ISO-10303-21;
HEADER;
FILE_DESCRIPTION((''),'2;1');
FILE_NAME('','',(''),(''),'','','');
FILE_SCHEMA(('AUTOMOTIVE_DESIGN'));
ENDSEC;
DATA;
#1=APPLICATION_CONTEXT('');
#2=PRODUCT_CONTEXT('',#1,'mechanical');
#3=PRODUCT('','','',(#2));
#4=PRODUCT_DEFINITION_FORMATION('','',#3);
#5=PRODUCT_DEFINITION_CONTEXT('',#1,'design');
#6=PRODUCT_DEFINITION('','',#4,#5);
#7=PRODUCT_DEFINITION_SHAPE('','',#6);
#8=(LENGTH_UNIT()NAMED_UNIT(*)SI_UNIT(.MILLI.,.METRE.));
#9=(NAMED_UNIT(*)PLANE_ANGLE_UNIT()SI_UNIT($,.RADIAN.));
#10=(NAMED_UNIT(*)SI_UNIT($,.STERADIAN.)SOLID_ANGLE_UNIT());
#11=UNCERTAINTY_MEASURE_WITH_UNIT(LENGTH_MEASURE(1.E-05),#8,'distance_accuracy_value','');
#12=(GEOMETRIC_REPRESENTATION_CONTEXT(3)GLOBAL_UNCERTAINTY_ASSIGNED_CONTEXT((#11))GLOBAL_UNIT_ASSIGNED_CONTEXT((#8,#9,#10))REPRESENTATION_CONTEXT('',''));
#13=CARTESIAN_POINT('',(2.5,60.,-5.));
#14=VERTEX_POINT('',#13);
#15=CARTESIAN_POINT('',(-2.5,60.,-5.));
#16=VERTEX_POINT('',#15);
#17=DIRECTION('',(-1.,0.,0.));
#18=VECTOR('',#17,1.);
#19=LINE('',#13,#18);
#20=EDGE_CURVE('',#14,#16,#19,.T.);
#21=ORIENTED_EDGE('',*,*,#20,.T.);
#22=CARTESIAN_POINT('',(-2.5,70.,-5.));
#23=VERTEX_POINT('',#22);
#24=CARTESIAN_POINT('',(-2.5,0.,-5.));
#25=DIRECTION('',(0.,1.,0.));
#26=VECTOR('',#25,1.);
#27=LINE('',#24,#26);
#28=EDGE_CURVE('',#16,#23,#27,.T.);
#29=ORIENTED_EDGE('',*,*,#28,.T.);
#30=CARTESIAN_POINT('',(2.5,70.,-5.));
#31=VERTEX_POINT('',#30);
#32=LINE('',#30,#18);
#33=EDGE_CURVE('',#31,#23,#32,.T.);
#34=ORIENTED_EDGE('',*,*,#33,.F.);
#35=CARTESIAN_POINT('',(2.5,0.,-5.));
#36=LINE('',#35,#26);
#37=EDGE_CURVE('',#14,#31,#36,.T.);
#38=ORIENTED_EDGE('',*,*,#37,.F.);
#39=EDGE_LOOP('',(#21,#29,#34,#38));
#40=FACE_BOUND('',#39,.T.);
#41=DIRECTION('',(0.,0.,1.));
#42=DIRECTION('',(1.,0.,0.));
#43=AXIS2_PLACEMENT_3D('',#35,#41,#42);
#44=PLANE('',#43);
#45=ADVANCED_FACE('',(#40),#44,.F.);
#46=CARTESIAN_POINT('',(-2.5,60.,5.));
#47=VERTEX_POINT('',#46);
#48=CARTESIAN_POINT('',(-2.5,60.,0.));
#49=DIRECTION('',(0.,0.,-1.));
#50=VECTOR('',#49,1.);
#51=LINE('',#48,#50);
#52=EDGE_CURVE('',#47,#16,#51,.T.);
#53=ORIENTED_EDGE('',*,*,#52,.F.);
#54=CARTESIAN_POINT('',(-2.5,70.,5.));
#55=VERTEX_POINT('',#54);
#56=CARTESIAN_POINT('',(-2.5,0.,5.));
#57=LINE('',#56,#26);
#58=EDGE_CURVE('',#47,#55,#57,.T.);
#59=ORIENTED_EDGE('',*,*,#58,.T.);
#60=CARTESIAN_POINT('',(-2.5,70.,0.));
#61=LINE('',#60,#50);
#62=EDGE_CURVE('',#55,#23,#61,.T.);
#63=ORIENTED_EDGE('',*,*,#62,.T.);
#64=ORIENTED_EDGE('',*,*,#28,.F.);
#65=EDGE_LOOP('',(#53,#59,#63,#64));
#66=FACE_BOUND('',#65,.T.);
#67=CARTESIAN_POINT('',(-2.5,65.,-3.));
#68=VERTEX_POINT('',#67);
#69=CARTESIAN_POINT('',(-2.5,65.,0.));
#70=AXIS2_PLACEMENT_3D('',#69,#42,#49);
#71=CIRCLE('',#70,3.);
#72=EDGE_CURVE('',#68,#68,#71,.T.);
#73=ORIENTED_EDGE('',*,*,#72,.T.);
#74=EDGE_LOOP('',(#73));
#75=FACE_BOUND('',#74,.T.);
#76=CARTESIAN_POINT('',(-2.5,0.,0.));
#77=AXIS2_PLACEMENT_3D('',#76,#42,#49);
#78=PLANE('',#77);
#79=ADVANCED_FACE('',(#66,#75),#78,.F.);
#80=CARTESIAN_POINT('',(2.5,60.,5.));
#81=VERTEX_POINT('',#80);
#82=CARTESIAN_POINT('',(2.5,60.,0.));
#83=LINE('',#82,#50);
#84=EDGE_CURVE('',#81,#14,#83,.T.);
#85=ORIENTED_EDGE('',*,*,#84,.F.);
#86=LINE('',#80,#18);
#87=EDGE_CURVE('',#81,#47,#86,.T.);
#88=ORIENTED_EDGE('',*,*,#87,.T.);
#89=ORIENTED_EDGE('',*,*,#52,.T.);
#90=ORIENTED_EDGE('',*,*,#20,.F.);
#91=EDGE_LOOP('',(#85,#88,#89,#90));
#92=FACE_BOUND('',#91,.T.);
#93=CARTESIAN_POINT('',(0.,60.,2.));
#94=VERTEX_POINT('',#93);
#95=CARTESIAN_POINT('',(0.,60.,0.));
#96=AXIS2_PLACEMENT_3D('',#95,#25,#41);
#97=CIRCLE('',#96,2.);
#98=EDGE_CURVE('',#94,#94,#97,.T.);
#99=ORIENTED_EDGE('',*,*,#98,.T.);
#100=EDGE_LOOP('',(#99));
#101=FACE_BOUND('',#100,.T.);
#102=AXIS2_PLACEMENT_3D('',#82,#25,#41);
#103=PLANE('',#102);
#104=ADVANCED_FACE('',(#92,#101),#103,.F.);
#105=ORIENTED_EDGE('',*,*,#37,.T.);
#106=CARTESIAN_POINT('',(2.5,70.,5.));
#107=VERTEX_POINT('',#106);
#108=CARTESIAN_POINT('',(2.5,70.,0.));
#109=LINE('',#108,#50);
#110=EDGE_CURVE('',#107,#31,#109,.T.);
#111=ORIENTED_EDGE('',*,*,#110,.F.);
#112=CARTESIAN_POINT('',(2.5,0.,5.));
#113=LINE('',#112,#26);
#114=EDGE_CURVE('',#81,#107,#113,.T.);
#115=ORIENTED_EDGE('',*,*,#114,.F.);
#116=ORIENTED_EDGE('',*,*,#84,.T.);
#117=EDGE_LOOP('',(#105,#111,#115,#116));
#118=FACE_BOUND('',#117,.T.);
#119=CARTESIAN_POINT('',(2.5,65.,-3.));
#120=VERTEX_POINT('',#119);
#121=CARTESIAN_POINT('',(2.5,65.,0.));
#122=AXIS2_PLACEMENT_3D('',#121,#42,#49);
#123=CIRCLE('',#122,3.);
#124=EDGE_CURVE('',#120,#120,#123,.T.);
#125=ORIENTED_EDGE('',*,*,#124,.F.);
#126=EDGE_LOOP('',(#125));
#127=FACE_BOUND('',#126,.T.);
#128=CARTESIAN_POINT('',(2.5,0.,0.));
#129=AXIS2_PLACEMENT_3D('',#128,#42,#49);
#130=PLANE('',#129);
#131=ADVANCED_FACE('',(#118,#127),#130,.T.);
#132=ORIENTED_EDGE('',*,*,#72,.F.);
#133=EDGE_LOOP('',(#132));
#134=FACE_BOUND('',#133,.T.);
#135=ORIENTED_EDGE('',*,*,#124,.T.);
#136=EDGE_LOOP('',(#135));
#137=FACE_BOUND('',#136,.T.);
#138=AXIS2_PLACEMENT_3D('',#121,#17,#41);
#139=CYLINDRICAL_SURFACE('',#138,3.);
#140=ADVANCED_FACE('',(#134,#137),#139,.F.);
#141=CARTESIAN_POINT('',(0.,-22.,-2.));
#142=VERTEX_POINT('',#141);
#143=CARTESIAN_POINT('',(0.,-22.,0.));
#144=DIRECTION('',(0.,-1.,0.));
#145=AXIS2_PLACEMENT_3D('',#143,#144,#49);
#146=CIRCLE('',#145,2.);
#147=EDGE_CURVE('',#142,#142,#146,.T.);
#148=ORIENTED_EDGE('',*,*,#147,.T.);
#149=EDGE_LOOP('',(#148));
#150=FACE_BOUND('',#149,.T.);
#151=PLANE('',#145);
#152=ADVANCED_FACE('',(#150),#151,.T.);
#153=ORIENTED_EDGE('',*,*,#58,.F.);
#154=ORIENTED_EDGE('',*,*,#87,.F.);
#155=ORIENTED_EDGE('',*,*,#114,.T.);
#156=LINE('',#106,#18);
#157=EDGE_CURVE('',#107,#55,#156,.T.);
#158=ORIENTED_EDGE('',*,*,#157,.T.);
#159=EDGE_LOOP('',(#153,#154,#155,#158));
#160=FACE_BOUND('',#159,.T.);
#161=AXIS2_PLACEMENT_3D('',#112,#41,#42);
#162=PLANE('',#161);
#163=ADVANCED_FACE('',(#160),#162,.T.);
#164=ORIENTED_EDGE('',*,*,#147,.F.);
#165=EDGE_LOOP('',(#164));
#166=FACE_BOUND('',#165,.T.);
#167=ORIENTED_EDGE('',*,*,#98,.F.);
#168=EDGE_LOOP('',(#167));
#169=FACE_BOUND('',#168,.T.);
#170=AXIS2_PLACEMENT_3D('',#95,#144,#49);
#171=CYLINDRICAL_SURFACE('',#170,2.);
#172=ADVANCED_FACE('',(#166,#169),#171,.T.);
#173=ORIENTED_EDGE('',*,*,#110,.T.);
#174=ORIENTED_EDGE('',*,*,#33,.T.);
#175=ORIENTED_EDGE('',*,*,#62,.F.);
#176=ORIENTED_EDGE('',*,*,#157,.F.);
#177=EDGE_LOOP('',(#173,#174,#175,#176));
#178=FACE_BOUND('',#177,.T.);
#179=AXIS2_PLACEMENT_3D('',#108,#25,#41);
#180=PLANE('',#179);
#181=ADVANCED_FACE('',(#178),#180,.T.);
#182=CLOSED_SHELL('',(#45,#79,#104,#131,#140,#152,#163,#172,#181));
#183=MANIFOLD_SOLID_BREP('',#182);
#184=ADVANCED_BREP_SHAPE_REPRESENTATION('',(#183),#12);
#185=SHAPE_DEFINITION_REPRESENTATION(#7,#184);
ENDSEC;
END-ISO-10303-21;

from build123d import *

# Parameters (mm, degrees)
SKETCH_1_R       = 2
EXTRUDE_1_DEPTH  = 60
SKETCH_8_W       = 10
SKETCH_8_H       = 10
SKETCH_8_R       = 3
EXTRUDE_8_DEPTH  = 2.5
EXTRUDE_START    = 5
SKETCH_9_R       = 2
EXTRUDE_9_DEPTH  = 5
SKETCH_12_R      = 2
EXTRUDE_11_DEPTH = 5
EXTRUDE_START_2  = 7
SKETCH_10_R      = 2
EXTRUDE_10_DEPTH = 12


with BuildPart() as part:
    # 草图1 → 凸台-拉伸1 (new body)
    with BuildSketch(Plane(origin=(0, 0, 0), x_dir=(1, 0, 0), z_dir=(0, 1, 0))):
        Circle(SKETCH_1_R)
    extrude(amount=EXTRUDE_1_DEPTH)

    # 草图8 → 凸台-拉伸8 (add, symmetric)
    with BuildSketch(Plane(origin=(0, 0, 0), x_dir=(0, 0, -1), z_dir=(1, 0, 0))):
        with Locations((0, 65)):
            Rectangle(SKETCH_8_W, SKETCH_8_H)
        with Locations((0, 65)):
            Circle(SKETCH_8_R, mode=Mode.SUBTRACT)
    extrude(amount=EXTRUDE_8_DEPTH, both=True)

    # 草图9 → 凸台-拉伸9 (add)
    with BuildSketch(Plane.XZ.offset(EXTRUDE_START)):
        Circle(SKETCH_9_R)
    extrude(amount=-EXTRUDE_9_DEPTH)

    # 草图12 → 凸台-拉伸11 (add)
    with BuildSketch(Plane.XZ.offset(5).offset(EXTRUDE_START)):
        Circle(SKETCH_12_R)
    extrude(amount=-EXTRUDE_11_DEPTH)

    # 草图10 → 凸台-拉伸10 (add)
    with BuildSketch(Plane.XZ.offset(15).offset(EXTRUDE_START_2)):
        Circle(SKETCH_10_R)
    extrude(amount=-EXTRUDE_10_DEPTH)


solid = part.part
